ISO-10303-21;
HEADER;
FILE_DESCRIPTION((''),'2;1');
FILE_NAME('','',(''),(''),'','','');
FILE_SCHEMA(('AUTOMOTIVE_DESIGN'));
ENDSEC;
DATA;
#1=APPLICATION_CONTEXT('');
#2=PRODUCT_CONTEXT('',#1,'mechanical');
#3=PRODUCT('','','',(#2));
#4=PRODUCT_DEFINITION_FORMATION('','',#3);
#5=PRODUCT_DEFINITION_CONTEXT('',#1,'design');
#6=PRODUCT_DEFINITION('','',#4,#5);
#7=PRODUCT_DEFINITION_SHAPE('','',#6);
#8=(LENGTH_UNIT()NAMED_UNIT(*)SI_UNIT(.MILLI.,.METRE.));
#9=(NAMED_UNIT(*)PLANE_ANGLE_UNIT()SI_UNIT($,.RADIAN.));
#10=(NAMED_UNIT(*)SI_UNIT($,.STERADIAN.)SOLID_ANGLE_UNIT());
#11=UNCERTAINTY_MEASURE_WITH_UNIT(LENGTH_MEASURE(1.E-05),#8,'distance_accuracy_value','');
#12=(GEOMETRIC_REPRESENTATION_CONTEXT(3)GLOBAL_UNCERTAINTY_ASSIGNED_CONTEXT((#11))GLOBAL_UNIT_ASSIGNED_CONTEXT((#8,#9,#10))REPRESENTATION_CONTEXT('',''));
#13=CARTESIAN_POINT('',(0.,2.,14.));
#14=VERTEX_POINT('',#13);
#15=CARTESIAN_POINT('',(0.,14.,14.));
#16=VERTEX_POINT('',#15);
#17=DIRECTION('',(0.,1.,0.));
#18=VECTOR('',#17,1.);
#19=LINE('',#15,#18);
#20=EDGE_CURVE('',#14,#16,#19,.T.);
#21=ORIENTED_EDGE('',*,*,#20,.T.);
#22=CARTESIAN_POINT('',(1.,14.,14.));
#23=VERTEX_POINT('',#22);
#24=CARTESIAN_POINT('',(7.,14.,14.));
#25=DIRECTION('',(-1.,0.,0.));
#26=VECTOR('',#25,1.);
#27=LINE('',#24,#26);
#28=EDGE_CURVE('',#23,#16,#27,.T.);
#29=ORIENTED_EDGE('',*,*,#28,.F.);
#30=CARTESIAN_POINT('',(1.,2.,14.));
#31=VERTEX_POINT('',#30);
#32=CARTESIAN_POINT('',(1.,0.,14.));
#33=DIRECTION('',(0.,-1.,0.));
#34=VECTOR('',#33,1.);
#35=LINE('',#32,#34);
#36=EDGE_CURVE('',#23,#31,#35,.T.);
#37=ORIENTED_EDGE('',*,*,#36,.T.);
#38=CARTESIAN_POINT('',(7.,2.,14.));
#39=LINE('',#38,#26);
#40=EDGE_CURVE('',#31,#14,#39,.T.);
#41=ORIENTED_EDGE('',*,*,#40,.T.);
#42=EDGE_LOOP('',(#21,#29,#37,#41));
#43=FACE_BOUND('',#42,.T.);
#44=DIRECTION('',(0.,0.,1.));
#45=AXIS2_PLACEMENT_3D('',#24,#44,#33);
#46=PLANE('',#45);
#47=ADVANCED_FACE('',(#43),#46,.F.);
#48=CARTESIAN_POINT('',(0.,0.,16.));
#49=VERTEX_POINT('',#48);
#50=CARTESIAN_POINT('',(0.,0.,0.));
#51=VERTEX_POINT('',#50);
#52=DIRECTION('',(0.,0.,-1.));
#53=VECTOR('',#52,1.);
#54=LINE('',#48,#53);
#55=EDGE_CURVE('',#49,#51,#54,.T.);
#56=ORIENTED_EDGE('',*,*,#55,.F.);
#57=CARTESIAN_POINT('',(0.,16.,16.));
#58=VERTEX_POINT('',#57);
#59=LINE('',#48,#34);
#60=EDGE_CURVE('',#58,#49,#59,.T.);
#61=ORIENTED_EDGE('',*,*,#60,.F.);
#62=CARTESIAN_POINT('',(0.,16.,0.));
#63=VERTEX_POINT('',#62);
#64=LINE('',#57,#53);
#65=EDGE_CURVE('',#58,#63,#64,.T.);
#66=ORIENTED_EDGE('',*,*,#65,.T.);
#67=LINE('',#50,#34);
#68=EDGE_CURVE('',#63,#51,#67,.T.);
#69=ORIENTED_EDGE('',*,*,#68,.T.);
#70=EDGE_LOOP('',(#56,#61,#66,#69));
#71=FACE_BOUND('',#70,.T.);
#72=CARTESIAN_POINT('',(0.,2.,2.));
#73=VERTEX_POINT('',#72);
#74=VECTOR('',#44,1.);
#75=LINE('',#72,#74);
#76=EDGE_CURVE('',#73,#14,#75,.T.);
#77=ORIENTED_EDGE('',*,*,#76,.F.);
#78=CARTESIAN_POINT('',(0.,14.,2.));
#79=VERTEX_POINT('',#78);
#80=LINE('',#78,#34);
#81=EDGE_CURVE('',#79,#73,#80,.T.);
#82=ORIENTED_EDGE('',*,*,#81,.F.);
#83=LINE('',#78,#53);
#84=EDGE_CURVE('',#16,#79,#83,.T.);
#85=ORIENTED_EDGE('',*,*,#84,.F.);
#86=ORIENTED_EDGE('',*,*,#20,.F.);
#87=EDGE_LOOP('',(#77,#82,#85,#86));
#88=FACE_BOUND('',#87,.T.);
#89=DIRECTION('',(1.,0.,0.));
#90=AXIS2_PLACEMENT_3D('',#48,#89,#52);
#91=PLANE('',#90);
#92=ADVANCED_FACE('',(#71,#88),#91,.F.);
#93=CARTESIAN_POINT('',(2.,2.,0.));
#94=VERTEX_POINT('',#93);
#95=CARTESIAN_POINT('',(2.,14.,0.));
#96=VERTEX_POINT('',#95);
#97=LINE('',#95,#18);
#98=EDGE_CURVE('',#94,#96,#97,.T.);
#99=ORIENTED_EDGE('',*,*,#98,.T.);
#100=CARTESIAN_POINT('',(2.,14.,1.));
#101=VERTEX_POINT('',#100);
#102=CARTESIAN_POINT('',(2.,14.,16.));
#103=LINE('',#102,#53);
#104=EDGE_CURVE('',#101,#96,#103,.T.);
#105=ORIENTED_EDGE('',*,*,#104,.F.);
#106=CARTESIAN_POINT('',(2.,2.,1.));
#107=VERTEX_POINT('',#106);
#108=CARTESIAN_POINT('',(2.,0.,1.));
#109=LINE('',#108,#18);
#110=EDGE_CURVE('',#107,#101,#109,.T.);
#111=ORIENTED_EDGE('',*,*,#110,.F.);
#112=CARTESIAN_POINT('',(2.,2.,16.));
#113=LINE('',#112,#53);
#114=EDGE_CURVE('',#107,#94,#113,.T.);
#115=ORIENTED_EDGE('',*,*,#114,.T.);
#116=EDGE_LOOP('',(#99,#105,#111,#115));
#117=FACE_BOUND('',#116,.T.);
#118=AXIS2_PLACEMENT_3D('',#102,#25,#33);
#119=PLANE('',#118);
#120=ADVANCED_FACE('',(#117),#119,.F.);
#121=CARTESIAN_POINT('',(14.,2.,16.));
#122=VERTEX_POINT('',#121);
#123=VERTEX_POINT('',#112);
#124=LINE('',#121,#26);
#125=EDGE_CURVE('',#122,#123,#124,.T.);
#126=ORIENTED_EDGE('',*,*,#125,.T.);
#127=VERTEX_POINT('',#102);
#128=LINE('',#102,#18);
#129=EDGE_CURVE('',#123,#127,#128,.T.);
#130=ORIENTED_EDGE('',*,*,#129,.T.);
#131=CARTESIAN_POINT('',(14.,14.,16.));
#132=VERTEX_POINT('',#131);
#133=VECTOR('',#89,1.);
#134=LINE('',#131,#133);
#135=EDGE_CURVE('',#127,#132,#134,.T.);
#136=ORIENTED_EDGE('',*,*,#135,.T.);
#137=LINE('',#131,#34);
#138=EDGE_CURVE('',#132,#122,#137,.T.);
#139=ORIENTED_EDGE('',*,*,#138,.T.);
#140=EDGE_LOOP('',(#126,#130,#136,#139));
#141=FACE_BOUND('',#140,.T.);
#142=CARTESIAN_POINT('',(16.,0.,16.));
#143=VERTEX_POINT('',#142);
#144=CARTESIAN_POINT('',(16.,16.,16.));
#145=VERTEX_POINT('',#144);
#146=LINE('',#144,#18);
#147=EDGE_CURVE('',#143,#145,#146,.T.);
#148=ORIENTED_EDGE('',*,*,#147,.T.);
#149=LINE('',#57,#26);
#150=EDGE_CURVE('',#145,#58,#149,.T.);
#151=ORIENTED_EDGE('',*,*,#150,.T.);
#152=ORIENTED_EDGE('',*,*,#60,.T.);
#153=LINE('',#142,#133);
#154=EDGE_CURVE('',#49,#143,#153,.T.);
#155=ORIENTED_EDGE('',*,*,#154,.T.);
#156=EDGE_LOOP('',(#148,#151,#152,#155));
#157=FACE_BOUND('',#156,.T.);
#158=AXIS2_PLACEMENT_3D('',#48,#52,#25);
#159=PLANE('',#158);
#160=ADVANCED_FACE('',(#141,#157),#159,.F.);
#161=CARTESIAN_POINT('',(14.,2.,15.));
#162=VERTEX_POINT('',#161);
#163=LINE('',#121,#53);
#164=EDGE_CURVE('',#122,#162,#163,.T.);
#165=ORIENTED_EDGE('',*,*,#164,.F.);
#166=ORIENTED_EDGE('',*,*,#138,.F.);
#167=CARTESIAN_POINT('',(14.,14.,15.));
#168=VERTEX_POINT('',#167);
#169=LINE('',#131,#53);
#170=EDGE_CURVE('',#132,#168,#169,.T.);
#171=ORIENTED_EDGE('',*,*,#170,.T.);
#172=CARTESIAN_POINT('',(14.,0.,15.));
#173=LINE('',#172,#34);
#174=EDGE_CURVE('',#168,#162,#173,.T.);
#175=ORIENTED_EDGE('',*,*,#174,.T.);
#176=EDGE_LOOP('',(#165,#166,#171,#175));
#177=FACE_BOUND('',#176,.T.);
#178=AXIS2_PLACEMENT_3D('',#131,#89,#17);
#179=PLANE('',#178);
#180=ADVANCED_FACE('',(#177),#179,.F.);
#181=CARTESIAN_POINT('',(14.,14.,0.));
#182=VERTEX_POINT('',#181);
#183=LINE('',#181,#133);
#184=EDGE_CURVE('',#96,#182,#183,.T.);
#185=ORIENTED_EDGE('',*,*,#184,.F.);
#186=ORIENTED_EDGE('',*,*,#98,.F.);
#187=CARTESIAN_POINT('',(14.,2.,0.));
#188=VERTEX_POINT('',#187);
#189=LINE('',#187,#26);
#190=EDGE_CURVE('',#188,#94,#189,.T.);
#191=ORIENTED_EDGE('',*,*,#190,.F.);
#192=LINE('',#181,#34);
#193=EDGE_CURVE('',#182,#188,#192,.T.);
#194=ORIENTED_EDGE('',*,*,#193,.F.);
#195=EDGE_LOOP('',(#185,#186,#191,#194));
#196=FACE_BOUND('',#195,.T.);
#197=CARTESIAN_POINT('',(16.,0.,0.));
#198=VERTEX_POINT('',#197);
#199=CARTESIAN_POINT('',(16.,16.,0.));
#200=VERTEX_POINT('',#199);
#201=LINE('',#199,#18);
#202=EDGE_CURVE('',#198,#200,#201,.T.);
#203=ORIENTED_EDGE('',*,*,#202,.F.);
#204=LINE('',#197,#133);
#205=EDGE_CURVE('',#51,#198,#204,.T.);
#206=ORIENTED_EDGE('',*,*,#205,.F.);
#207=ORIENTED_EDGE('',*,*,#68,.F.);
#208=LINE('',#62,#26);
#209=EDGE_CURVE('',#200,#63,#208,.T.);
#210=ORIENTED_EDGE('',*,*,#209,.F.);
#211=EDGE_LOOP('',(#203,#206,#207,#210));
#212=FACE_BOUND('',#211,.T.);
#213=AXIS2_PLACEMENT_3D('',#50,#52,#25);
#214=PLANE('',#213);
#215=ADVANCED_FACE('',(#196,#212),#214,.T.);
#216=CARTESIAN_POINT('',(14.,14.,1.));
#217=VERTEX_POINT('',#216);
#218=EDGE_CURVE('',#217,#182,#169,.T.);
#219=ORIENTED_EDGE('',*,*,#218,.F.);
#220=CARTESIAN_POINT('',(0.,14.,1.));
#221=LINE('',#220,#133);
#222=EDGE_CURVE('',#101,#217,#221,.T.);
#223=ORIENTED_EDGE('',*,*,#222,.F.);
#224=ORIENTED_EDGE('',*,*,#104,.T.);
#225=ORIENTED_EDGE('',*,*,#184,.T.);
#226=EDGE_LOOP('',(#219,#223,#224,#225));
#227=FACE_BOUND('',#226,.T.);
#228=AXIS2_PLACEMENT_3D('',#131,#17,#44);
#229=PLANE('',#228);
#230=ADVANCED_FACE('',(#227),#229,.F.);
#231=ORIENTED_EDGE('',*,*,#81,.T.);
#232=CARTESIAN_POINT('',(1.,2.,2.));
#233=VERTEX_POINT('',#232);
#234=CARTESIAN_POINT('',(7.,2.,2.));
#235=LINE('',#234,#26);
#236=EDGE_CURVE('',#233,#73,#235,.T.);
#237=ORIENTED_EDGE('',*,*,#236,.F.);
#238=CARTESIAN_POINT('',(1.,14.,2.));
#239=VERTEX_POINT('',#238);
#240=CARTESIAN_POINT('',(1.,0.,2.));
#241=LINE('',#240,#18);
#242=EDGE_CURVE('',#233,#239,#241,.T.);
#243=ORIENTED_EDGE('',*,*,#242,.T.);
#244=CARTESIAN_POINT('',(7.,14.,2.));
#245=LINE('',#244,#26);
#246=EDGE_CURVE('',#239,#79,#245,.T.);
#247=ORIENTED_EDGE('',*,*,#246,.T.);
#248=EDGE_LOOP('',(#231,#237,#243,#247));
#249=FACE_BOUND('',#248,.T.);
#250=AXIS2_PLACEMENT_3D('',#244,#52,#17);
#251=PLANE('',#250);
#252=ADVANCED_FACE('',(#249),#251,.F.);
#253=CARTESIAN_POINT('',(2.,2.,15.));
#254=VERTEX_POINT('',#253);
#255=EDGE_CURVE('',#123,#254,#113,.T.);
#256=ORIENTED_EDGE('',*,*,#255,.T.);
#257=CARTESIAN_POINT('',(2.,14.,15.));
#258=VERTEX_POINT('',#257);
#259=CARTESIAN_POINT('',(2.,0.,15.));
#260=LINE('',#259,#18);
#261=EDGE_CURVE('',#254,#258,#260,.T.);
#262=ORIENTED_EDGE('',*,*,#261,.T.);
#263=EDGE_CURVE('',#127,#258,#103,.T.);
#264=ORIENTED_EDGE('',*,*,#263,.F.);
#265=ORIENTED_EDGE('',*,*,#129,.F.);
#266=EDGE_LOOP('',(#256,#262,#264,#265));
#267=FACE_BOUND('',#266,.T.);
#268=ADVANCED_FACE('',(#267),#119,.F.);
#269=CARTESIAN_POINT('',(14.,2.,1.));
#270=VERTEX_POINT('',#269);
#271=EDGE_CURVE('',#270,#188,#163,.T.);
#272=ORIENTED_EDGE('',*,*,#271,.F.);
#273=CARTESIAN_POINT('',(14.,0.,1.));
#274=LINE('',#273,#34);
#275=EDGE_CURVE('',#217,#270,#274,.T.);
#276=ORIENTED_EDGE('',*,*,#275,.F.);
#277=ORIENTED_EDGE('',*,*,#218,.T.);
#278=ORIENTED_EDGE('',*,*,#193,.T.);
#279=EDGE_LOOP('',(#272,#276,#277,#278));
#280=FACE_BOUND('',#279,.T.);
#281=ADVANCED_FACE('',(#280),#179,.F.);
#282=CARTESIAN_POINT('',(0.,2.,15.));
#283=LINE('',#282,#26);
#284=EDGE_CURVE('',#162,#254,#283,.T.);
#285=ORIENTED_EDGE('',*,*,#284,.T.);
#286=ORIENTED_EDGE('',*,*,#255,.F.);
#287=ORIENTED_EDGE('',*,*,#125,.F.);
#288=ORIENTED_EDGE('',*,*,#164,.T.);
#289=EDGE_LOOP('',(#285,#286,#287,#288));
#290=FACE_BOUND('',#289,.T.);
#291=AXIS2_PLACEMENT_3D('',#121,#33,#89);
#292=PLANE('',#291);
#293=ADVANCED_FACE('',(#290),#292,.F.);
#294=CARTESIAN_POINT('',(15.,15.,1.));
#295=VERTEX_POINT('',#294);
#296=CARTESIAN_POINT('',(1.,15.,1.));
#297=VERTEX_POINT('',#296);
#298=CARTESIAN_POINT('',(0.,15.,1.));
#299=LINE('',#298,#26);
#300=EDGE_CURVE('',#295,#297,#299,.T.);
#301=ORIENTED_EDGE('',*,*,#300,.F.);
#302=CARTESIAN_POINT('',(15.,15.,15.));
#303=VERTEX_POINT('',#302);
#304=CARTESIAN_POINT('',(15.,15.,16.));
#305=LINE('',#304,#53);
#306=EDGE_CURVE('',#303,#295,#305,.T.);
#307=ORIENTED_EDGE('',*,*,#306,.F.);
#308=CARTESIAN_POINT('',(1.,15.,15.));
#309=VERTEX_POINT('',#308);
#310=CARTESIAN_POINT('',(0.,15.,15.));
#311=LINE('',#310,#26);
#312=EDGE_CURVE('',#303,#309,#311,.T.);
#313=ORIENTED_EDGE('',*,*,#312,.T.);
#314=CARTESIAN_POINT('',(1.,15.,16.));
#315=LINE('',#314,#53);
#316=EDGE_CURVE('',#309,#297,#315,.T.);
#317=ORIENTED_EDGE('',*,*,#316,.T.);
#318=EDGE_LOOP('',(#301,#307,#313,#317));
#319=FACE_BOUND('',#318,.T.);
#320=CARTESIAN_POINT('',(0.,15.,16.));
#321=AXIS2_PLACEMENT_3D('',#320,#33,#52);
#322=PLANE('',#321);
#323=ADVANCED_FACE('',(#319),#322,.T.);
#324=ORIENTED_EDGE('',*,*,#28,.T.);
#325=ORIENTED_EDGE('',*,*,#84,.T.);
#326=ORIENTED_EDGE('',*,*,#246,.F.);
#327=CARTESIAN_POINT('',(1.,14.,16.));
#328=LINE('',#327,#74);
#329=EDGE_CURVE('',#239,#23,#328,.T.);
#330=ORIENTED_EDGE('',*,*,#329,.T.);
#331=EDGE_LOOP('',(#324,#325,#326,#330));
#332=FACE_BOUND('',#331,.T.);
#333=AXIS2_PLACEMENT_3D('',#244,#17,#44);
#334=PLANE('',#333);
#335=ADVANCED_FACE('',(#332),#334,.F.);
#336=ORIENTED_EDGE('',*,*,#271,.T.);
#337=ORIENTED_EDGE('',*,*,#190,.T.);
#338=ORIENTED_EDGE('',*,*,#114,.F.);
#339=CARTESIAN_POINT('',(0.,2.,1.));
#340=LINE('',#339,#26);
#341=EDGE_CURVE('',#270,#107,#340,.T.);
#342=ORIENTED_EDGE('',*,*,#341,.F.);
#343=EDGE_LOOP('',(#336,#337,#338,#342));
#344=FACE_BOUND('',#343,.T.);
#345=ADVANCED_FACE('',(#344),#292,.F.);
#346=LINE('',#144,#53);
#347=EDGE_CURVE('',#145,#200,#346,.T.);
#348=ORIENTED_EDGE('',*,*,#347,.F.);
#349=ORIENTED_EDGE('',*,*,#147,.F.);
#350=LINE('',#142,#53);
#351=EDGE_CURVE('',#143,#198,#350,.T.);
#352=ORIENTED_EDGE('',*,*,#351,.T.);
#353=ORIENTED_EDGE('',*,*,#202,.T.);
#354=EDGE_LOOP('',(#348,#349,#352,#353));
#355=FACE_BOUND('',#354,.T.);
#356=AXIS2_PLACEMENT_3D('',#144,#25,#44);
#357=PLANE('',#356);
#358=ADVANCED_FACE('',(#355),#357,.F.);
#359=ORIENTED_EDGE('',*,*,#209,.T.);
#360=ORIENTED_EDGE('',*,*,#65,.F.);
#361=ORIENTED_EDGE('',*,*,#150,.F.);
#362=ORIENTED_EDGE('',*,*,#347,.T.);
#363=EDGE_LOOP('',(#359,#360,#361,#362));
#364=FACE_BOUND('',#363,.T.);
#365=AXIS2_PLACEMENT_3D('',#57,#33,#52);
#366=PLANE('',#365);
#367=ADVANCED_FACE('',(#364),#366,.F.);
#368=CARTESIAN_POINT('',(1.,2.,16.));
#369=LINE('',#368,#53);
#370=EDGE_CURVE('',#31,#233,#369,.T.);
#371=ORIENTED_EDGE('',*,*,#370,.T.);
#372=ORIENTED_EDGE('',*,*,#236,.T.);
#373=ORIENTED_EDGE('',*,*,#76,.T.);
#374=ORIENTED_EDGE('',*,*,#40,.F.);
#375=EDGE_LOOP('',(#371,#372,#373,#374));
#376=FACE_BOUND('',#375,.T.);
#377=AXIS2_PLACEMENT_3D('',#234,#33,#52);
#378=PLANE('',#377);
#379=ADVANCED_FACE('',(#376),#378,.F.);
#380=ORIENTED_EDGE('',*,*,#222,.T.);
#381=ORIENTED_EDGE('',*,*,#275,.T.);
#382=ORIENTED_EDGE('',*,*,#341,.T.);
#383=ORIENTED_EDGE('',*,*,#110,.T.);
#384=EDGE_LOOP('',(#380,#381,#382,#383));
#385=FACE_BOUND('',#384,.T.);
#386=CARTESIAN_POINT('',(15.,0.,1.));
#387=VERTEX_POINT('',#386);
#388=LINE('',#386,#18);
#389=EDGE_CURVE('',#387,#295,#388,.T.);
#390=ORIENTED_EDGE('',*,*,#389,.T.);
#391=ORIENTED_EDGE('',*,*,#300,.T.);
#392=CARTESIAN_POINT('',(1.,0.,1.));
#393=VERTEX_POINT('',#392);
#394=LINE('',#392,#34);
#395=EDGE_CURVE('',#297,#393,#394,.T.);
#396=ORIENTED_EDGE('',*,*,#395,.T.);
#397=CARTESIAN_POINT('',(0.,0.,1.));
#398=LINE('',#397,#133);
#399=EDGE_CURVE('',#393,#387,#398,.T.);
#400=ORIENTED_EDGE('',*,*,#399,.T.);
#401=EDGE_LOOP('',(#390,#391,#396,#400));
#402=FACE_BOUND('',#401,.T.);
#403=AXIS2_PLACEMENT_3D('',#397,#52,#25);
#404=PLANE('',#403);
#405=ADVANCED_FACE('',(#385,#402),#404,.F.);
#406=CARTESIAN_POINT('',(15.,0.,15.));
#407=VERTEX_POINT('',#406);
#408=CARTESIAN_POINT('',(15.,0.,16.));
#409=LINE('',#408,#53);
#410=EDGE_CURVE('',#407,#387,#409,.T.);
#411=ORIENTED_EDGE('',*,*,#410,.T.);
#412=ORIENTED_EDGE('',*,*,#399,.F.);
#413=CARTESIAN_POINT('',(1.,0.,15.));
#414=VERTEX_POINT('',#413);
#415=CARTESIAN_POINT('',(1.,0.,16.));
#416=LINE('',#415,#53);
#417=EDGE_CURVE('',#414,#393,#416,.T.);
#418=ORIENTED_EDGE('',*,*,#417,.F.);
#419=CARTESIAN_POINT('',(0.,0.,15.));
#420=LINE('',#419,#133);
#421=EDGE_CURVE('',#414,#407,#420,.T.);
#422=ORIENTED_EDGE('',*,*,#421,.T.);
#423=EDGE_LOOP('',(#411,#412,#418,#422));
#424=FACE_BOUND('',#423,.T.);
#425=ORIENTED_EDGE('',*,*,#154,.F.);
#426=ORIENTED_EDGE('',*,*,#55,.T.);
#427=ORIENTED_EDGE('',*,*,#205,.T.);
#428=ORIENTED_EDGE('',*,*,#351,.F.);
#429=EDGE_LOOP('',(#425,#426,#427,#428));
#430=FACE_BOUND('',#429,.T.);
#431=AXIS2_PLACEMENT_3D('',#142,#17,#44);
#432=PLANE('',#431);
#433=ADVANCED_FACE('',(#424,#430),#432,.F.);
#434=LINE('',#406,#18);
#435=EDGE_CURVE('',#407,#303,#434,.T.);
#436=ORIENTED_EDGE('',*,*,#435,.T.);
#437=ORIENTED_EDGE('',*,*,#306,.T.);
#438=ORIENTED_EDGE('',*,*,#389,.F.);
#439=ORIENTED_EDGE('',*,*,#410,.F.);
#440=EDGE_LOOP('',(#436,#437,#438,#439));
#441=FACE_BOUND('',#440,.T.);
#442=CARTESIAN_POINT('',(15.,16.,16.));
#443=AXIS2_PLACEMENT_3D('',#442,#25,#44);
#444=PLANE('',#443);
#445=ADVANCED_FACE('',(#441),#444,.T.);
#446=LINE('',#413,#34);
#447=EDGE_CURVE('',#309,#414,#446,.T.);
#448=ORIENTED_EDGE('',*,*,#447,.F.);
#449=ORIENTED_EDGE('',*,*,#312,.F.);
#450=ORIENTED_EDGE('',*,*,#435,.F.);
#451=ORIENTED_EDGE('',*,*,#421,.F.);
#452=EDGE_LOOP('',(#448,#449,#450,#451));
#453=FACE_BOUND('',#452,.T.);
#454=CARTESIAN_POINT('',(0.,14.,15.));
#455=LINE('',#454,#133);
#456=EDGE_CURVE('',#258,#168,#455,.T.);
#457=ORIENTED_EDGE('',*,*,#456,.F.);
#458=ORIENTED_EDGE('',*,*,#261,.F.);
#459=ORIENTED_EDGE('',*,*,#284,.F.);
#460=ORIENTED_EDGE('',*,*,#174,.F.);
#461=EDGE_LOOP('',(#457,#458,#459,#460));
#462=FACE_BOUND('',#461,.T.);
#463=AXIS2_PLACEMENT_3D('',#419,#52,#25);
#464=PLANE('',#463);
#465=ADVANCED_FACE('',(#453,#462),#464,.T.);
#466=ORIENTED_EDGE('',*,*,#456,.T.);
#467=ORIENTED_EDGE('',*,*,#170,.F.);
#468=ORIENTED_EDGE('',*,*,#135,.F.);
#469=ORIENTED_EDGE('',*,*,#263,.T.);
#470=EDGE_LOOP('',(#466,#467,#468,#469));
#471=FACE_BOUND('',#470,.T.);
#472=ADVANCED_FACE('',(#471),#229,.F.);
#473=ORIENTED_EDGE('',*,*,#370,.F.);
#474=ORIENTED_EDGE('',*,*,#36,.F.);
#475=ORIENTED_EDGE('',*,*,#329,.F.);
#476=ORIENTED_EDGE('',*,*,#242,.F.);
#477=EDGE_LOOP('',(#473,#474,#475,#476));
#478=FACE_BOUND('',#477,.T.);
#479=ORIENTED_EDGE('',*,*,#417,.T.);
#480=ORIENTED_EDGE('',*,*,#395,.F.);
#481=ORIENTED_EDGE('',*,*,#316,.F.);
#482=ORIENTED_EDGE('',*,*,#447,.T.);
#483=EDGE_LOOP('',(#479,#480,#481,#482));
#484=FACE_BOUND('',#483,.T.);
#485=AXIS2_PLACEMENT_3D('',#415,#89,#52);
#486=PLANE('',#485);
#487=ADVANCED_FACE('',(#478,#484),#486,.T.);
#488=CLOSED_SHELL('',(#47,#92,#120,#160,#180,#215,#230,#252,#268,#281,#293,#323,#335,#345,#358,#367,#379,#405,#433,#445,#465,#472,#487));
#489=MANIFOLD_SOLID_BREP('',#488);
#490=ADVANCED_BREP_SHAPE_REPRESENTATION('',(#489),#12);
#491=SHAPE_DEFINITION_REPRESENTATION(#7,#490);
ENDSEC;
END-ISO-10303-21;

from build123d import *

# Parameters (mm, degrees)
SKETCH1_W           = 16
SKETCH1_H           = 16
BOSS_EXTRUDE1_DEPTH = 16
SHELL1_T            = -1
SKETCH2_W           = 12
SKETCH2_H           = 12
CUT_EXTRUDE1_DEPTH  = 17
SKETCH3_W           = 12
SKETCH3_H           = 12
CUT_EXTRUDE3_DEPTH  = 7


with BuildPart() as part:
    # Sketch1 → Boss-Extrude1 (new body)
    with BuildSketch(Plane.XY):
        with Locations((8, 8)):
            Rectangle(SKETCH1_W, SKETCH1_H)
    extrude(amount=BOSS_EXTRUDE1_DEPTH)

    # Shell1
    shell1_openings = [part.faces().sort_by_distance(p)[0] for p in [
        (8, 0, 8),
    ]]
    offset(amount=SHELL1_T, openings=shell1_openings, kind=Kind.INTERSECTION)

    # Sketch2 → Cut-Extrude1 (cut, through all)
    with BuildSketch(Plane(origin=(0, 0, 0), x_dir=(-1, 0, 0), z_dir=(0, 0, -1))):
        with Locations((-8, 8)):
            Rectangle(SKETCH2_W, SKETCH2_H)
    extrude(amount=-CUT_EXTRUDE1_DEPTH, mode=Mode.SUBTRACT)

    # Sketch3 → Cut-Extrude3 (cut)
    with BuildSketch(Plane.ZY):
        with Locations((8, 8)):
            Rectangle(SKETCH3_W, SKETCH3_H)
    extrude(amount=-CUT_EXTRUDE3_DEPTH, mode=Mode.SUBTRACT)


solid = part.part
